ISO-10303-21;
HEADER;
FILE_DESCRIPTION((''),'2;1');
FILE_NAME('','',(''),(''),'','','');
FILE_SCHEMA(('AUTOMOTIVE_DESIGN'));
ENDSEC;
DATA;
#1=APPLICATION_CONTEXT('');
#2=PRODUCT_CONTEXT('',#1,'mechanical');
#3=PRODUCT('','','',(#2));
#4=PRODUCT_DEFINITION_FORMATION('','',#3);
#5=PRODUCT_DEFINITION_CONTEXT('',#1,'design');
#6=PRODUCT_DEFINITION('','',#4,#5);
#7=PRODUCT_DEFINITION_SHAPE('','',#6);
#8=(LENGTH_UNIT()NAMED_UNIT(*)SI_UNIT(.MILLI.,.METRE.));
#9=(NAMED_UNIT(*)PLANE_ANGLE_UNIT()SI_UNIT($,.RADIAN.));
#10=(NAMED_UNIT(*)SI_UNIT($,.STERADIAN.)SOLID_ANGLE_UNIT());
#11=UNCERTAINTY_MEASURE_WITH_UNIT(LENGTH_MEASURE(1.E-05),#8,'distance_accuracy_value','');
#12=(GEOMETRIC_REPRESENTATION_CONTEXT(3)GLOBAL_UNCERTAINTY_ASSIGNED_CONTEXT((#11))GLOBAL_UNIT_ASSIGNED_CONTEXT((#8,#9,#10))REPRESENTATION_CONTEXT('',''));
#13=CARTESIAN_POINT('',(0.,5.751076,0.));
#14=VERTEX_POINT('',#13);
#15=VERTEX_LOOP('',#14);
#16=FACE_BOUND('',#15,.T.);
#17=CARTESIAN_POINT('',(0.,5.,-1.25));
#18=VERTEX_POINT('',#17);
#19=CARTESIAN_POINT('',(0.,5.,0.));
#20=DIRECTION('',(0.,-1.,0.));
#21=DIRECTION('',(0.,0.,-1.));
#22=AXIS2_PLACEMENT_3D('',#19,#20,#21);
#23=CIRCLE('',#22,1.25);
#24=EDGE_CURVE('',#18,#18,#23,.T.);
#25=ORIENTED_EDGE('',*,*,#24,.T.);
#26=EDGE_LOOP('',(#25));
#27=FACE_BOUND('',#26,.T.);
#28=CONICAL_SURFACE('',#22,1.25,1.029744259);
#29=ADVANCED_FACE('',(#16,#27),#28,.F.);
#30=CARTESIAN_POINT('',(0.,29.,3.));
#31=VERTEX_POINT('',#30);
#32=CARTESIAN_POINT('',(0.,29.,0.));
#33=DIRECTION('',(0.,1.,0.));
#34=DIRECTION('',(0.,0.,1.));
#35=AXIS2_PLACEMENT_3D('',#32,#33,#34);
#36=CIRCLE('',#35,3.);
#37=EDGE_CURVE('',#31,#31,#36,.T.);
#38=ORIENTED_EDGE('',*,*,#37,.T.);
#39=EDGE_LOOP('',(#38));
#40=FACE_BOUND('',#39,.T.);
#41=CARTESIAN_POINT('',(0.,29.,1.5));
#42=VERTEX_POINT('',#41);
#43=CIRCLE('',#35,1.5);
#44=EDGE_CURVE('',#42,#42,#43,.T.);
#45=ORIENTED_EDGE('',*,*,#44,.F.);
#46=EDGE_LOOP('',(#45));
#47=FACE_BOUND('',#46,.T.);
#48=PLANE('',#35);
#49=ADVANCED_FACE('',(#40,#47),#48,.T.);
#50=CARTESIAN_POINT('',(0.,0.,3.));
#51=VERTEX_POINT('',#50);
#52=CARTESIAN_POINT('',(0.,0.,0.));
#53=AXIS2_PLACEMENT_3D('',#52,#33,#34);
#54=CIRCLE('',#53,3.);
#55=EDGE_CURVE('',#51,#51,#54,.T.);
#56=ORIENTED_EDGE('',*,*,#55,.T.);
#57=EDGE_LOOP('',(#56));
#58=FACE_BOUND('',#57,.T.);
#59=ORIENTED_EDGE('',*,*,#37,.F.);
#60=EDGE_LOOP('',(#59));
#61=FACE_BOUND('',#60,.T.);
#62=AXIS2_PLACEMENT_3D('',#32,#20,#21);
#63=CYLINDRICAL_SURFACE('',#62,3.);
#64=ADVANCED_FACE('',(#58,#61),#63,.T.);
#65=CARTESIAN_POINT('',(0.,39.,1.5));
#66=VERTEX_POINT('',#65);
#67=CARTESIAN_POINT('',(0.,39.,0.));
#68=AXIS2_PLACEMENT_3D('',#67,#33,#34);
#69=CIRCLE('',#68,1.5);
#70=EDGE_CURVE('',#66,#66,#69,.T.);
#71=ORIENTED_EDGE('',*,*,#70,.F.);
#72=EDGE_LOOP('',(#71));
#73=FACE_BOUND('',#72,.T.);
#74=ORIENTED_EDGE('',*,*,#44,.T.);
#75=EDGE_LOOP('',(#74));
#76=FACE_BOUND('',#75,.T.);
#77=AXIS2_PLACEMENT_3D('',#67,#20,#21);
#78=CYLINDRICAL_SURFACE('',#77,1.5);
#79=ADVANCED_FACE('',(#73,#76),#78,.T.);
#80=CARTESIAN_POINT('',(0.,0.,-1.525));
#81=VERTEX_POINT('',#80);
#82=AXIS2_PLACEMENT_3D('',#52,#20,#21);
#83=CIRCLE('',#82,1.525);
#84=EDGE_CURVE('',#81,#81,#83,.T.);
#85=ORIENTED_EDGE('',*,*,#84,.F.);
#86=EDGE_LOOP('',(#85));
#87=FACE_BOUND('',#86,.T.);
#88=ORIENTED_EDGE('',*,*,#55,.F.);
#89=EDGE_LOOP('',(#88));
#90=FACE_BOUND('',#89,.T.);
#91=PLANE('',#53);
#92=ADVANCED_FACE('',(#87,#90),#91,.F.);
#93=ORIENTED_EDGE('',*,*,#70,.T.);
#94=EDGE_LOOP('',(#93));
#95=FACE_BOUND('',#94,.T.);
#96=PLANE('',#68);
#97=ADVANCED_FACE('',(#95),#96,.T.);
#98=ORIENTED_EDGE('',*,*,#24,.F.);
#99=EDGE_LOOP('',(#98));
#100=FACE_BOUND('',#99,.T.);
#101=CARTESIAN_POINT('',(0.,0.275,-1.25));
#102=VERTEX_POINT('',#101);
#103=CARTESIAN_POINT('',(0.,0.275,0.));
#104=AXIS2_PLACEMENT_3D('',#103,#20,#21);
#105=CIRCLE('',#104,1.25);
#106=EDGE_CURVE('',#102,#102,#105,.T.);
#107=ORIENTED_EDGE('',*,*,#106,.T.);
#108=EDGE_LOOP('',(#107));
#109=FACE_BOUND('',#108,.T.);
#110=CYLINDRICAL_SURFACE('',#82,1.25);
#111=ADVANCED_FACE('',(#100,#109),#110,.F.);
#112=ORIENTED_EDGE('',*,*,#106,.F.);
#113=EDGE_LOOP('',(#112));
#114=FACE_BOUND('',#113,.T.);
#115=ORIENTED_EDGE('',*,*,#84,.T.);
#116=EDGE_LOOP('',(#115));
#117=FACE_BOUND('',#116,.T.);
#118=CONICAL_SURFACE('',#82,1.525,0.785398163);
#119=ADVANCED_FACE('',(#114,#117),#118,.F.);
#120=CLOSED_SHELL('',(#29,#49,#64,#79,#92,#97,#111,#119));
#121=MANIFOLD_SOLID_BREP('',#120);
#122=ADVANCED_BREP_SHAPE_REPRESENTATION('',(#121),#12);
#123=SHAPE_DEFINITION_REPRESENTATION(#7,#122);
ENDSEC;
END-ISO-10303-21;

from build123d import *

# Parameters (mm, degrees)
SKETCH1_R                       = 3
BOSS_EXTRUDE1_DEPTH             = 29
SKETCH2_R                       = 1.5
BOSS_EXTRUDE2_DEPTH             = 10
M3X0_5_TAPPED_HOLE1_D           = 2.5
M3X0_5_TAPPED_HOLE1_DEPTH       = 5
M3X0_5_TAPPED_HOLE1_CSINK_D     = 3.05
M3X0_5_TAPPED_HOLE1_CSINK_ANGLE = 90
M3X0_5_TAPPED_HOLE1_TIP         = 0.751075774


with BuildPart() as part:
    # Sketch1 → Boss-Extrude1 (new body)
    with BuildSketch(Plane(origin=(0, 0, 0), x_dir=(1, 0, 0), z_dir=(0, 1, 0))):
        Circle(SKETCH1_R)
    extrude(amount=BOSS_EXTRUDE1_DEPTH)

    # Sketch2 → Boss-Extrude2 (add)
    with BuildSketch(Plane(origin=(0, 29, 0), x_dir=(1, 0, 0), z_dir=(0, 1, 0))):
        Circle(SKETCH2_R)
    extrude(amount=BOSS_EXTRUDE2_DEPTH)

    # M3x0.5 Tapped Hole1
    with Locations(Plane(origin=(0, 0, 0), x_dir=(-1, 0, 0), z_dir=(0, -1, 0))):
        with Locations((0, 0)):
            CounterSinkHole(M3X0_5_TAPPED_HOLE1_D / 2, M3X0_5_TAPPED_HOLE1_CSINK_D / 2, depth=M3X0_5_TAPPED_HOLE1_DEPTH, counter_sink_angle=M3X0_5_TAPPED_HOLE1_CSINK_ANGLE)
            with Locations((0, 0, -(M3X0_5_TAPPED_HOLE1_DEPTH + M3X0_5_TAPPED_HOLE1_TIP / 2))):  # 118° drill point
                Cone(0, M3X0_5_TAPPED_HOLE1_D / 2, M3X0_5_TAPPED_HOLE1_TIP, mode=Mode.SUBTRACT)


solid = part.part
